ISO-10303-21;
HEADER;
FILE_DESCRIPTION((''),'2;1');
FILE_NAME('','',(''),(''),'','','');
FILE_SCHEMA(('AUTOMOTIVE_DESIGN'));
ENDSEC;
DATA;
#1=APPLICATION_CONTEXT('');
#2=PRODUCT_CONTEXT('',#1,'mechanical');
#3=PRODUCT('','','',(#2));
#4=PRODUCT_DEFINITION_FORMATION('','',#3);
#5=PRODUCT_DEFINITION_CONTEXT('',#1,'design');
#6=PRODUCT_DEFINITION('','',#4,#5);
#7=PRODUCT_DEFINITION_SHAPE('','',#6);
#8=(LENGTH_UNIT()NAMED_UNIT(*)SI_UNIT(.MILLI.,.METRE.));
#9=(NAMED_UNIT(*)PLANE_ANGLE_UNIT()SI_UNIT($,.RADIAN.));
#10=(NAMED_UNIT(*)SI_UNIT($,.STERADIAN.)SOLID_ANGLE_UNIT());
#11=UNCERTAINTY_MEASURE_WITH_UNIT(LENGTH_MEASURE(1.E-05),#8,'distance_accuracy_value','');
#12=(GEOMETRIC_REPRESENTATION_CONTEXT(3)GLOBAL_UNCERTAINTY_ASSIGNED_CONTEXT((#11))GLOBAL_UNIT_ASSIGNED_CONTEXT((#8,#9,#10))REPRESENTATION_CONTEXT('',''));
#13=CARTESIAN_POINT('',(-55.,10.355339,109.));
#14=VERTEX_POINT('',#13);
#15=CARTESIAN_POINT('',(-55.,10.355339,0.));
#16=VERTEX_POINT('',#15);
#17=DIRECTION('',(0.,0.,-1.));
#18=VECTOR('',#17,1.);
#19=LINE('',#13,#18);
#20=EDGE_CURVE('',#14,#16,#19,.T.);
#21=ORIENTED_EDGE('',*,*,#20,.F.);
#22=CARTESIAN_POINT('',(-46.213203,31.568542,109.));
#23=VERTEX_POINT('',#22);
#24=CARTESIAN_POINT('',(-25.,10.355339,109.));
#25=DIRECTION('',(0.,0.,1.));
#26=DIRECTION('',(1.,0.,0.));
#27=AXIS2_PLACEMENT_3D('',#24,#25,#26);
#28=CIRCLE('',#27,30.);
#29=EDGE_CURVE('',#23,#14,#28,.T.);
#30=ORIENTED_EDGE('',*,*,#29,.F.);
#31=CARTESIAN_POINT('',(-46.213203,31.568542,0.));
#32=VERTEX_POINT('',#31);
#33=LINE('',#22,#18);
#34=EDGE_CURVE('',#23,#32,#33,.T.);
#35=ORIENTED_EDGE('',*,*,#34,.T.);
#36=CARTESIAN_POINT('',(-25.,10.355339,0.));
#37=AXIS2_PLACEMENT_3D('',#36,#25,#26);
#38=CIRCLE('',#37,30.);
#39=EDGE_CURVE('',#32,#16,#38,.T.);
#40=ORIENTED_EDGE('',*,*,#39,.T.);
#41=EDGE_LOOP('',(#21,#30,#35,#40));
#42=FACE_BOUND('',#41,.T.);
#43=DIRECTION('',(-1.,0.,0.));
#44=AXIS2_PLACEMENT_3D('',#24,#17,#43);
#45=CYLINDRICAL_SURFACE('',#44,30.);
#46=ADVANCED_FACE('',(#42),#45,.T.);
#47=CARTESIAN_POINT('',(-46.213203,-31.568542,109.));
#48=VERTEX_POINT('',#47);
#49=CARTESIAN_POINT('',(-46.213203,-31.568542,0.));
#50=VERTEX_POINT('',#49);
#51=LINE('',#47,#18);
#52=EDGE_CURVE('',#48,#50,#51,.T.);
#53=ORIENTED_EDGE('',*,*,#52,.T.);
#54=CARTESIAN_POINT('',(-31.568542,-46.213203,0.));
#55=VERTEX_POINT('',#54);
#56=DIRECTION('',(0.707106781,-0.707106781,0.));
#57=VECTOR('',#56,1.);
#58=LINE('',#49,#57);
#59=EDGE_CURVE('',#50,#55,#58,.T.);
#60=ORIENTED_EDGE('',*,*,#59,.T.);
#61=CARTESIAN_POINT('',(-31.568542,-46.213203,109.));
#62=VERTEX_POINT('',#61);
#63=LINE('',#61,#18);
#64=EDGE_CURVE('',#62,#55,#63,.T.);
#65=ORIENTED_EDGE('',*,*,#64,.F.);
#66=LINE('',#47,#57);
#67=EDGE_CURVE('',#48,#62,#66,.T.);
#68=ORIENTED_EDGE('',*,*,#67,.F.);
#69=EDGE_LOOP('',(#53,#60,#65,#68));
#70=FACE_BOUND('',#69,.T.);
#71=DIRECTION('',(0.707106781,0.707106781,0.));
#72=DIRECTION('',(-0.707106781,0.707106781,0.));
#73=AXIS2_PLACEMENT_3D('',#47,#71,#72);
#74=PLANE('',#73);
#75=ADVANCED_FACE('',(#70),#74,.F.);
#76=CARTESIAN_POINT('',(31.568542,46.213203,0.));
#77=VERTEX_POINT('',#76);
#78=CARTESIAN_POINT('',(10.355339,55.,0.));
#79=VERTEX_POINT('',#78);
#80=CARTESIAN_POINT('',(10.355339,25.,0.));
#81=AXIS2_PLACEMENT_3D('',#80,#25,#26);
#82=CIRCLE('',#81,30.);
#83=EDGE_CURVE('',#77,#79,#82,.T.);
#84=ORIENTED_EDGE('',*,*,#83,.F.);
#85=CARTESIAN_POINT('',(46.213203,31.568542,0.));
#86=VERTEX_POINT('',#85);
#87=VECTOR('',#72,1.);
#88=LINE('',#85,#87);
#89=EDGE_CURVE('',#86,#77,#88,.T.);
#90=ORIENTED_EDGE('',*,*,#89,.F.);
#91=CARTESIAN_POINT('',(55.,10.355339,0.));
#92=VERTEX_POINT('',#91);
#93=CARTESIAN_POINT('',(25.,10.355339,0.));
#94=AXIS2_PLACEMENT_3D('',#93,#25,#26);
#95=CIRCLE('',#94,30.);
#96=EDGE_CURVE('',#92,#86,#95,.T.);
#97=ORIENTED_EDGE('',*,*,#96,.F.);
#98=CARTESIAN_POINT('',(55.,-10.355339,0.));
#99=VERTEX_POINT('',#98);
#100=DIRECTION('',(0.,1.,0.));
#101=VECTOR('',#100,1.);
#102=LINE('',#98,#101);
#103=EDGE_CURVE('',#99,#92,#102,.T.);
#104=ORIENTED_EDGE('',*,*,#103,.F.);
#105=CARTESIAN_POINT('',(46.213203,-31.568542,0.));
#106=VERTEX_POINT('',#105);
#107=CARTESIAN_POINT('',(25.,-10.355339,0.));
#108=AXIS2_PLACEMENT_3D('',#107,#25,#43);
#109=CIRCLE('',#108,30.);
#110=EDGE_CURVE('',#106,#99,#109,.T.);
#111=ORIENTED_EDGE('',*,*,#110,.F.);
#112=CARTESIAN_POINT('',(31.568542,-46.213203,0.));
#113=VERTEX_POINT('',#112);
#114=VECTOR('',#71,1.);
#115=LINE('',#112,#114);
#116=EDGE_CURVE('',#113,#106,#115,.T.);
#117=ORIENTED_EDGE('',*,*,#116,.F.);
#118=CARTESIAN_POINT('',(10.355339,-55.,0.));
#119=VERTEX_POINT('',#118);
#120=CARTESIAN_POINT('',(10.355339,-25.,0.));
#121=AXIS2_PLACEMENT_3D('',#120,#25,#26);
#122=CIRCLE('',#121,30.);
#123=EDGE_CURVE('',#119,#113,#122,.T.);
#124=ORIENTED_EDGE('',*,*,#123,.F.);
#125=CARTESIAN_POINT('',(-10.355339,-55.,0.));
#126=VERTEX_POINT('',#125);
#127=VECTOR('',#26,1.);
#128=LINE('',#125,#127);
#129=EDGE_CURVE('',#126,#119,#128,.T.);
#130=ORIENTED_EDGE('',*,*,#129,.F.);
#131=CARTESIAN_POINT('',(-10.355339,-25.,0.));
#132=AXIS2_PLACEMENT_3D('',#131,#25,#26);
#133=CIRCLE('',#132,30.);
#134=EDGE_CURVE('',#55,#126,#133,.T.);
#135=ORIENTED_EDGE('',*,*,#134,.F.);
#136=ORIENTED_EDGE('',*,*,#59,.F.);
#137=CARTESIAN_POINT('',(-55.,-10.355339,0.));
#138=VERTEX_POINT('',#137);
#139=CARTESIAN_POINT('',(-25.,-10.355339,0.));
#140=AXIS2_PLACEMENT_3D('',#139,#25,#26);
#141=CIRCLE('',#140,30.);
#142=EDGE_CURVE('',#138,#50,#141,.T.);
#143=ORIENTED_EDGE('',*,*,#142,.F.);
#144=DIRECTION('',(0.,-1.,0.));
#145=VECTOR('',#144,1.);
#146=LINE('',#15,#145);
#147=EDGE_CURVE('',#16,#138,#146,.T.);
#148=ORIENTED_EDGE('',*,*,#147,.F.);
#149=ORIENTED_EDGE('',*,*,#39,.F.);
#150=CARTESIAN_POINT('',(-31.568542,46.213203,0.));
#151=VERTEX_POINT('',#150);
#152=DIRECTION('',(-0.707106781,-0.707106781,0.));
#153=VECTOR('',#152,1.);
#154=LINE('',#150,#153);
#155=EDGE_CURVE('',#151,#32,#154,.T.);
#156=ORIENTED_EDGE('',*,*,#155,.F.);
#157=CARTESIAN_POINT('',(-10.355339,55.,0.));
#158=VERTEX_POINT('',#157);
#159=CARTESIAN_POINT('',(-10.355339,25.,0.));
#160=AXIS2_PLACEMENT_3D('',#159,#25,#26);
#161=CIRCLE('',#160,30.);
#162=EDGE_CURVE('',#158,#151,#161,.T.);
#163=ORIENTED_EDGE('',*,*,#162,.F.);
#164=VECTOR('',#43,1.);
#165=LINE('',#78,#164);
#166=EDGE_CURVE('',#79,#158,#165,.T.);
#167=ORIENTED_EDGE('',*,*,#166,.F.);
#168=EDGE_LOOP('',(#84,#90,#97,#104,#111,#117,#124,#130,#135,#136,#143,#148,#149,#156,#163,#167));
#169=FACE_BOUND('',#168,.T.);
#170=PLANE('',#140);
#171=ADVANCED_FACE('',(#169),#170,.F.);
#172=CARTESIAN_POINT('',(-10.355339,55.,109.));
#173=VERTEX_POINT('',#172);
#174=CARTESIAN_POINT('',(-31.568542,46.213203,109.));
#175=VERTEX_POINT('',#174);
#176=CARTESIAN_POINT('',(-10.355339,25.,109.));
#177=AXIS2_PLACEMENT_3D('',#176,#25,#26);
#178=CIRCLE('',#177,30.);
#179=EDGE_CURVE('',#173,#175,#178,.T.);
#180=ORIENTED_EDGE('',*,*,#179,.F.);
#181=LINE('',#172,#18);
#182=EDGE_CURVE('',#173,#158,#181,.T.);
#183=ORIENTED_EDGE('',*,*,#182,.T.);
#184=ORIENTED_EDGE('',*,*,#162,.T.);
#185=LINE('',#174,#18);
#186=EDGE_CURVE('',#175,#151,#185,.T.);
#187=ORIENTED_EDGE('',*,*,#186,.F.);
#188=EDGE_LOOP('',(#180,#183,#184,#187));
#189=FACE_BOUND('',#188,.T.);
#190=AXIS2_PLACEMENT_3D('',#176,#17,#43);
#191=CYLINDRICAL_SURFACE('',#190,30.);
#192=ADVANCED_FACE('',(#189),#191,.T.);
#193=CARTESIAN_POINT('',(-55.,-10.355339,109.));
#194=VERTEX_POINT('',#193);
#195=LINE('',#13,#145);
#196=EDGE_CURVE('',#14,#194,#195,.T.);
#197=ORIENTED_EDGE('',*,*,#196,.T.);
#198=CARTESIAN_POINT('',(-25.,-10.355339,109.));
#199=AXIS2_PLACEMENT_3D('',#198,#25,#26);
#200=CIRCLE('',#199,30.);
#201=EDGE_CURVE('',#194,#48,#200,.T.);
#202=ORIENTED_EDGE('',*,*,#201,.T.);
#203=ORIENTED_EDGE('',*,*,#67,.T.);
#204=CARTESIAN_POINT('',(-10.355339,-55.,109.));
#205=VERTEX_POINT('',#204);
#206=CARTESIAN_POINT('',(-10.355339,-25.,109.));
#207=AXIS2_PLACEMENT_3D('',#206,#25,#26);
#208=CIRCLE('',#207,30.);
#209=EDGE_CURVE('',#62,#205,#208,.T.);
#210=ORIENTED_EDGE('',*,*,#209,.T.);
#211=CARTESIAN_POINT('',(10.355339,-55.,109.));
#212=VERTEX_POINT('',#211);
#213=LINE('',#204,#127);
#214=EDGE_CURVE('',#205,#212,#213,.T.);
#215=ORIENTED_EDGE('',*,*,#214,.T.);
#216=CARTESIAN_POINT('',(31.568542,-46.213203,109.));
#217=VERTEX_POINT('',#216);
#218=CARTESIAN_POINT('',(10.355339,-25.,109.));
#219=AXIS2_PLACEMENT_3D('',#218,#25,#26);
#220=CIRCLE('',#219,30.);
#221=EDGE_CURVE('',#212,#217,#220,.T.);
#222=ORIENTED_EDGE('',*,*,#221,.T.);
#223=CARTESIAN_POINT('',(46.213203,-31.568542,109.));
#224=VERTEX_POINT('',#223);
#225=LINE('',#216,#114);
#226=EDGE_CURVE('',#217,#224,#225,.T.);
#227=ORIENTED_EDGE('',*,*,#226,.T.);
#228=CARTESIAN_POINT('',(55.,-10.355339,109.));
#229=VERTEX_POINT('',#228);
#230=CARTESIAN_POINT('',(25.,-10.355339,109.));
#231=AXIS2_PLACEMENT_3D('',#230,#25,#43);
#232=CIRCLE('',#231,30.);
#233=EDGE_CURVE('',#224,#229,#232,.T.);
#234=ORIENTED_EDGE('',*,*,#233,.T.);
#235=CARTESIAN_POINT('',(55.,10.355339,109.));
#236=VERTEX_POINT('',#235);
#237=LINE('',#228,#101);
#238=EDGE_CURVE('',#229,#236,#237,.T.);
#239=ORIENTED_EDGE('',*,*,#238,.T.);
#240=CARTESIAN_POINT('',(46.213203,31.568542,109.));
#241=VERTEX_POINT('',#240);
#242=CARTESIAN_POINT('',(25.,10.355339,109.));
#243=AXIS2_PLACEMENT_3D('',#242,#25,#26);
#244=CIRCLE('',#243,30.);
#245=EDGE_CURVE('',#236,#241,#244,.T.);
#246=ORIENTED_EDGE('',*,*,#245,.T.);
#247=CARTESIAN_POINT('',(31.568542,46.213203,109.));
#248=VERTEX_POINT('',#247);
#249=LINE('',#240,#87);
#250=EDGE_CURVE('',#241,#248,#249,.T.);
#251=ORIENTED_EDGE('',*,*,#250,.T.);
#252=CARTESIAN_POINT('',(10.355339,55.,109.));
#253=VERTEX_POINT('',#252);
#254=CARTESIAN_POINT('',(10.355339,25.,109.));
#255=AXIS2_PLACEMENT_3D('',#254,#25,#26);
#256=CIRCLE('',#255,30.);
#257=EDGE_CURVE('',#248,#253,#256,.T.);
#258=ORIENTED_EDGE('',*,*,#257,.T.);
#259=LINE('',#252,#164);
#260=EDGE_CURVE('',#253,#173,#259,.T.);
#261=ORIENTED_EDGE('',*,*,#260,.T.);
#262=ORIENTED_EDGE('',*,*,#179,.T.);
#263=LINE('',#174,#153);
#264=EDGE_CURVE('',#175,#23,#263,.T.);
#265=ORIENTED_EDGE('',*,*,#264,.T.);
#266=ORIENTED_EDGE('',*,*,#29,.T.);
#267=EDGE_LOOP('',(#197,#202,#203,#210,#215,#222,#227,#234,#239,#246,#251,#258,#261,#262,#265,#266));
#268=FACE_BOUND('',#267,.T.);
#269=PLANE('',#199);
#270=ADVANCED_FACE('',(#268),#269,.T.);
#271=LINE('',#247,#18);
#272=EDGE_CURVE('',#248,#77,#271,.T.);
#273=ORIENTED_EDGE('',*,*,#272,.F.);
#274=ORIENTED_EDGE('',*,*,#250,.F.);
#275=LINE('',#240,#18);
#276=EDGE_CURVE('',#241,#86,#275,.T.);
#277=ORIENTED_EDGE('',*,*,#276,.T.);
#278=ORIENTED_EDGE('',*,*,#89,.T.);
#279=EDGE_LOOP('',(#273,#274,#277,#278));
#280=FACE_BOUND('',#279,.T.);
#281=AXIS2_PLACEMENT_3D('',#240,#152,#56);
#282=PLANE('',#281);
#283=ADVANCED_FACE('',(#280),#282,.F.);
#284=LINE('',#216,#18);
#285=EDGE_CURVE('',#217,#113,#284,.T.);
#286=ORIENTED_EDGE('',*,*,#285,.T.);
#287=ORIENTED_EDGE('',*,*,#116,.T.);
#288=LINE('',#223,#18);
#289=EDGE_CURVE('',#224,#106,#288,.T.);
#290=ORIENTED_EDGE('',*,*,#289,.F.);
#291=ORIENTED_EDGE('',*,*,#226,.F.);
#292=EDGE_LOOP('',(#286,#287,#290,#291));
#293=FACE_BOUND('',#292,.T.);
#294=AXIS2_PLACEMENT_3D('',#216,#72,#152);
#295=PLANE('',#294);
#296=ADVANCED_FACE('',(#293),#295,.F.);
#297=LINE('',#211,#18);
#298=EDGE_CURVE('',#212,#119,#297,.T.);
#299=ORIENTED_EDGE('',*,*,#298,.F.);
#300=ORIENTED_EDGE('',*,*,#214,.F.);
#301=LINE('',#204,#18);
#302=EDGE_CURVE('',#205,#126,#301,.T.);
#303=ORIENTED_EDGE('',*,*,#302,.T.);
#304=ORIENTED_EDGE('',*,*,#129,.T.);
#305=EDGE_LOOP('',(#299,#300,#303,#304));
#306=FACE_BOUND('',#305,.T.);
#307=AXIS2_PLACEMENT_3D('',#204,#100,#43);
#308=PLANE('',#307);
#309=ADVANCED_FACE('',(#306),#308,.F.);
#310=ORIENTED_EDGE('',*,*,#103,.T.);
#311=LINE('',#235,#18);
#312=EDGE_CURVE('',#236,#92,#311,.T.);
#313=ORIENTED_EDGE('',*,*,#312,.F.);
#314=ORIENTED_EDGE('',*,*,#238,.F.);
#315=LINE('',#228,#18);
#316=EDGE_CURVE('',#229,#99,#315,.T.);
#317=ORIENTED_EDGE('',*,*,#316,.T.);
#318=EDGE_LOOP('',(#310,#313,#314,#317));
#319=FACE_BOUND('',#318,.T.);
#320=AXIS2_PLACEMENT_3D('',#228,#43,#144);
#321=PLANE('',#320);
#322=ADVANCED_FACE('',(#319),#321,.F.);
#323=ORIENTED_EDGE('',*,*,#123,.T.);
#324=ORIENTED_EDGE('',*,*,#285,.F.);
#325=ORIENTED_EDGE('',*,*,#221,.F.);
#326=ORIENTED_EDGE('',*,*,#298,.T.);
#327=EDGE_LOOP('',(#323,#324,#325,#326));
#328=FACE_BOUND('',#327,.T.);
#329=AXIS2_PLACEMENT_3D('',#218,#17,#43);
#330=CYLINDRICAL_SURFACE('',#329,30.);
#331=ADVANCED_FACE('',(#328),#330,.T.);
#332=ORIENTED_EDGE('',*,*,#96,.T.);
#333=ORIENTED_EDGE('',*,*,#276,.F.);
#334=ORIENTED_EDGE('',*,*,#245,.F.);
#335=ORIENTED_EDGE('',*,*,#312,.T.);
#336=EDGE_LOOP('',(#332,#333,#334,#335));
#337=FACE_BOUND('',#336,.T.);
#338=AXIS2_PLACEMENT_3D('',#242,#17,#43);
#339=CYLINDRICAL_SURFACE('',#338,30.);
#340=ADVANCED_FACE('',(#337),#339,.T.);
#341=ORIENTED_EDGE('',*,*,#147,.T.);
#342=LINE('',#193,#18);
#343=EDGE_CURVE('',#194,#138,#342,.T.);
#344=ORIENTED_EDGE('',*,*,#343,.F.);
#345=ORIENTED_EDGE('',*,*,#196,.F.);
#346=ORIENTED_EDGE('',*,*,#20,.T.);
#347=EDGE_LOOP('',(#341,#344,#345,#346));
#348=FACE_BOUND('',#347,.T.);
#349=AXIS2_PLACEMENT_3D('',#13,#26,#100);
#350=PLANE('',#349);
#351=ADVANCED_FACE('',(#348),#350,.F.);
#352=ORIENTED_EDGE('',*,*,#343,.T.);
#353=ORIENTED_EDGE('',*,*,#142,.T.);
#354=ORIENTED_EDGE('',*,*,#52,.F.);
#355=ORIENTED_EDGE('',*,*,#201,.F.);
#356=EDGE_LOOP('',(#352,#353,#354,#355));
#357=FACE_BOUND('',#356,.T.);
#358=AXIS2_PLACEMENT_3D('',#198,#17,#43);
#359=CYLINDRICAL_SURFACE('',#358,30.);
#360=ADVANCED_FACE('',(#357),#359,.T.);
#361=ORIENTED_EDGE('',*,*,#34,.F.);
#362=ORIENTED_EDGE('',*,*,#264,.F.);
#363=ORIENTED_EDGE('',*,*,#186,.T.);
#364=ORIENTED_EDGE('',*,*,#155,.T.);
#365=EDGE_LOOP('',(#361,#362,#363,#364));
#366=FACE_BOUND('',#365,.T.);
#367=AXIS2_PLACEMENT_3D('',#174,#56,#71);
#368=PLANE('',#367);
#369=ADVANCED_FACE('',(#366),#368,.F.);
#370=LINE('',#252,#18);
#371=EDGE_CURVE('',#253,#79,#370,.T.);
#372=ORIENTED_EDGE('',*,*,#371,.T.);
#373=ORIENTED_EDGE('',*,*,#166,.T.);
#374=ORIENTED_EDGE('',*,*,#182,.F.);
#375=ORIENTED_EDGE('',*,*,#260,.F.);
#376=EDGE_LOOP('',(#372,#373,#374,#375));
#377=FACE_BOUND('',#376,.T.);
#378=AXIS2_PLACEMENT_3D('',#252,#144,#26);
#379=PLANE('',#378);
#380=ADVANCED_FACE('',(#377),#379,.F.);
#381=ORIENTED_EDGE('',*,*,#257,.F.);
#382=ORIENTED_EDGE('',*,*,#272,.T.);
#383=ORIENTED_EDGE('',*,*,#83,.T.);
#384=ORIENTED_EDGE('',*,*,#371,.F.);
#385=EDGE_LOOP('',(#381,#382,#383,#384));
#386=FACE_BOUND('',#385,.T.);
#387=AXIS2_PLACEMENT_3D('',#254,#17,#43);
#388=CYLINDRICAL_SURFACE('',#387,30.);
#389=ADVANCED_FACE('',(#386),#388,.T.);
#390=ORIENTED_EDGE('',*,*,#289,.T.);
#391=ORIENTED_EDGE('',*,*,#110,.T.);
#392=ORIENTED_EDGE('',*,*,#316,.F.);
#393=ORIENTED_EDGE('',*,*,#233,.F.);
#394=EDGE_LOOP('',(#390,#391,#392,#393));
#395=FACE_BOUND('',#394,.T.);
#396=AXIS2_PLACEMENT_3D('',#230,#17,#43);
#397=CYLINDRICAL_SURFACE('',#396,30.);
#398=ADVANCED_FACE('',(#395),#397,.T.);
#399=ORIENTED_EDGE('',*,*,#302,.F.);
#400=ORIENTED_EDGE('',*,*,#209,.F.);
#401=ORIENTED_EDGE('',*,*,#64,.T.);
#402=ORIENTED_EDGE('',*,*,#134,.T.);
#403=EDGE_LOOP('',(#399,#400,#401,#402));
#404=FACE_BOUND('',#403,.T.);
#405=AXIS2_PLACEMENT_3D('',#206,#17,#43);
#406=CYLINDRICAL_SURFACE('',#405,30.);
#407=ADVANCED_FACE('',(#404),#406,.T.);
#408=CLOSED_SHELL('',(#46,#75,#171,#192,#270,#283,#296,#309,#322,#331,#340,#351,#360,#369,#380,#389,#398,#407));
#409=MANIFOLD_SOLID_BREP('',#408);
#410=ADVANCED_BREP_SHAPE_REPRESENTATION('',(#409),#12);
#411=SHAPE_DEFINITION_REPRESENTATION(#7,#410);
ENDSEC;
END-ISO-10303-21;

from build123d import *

# Parameters (mm, degrees)
RESSALTO_EXTRUS_O1_DEPTH = 109


with BuildPart() as part:
    # Esboço1 → Ressalto-extrusão1 (new body)
    with BuildSketch(Plane.XY):
        with BuildLine():
            Line((55, -10.355339059), (55, 10.355339059))
            ThreePointArc((55, 10.355339059), (52.716385975, 21.83584203), (46.213203436, 31.568542495))
            Line((46.213203436, 31.568542495), (31.568542495, 46.213203436))
            ThreePointArc((31.568542495, 46.213203436), (21.83584203, 52.716385975), (10.355339059, 55))
            Line((10.355339059, 55), (-10.355339059, 55))
            ThreePointArc((-10.355339059, 55), (-21.83584203, 52.716385975), (-31.568542495, 46.213203436))
            Line((-31.568542495, 46.213203436), (-46.213203436, 31.568542495))
            ThreePointArc((-46.213203436, 31.568542495), (-52.716385975, 21.83584203), (-55, 10.355339059))
            Line((-55, 10.355339059), (-55, -10.355339059))
            ThreePointArc((-55, -10.355339059), (-52.716385975, -21.83584203), (-46.213203436, -31.568542495))
            Line((-46.213203436, -31.568542495), (-31.568542495, -46.213203436))
            ThreePointArc((-31.568542495, -46.213203436), (-21.83584203, -52.716385975), (-10.355339059, -55))
            Line((-10.355339059, -55), (10.355339059, -55))
            ThreePointArc((10.355339059, -55), (21.83584203, -52.716385975), (31.568542495, -46.213203436))
            Line((31.568542495, -46.213203436), (46.213203436, -31.568542495))
            ThreePointArc((46.213203436, -31.568542495), (52.716385975, -21.83584203), (55, -10.355339059))
        make_face()
    extrude(amount=RESSALTO_EXTRUS_O1_DEPTH)


solid = part.part
